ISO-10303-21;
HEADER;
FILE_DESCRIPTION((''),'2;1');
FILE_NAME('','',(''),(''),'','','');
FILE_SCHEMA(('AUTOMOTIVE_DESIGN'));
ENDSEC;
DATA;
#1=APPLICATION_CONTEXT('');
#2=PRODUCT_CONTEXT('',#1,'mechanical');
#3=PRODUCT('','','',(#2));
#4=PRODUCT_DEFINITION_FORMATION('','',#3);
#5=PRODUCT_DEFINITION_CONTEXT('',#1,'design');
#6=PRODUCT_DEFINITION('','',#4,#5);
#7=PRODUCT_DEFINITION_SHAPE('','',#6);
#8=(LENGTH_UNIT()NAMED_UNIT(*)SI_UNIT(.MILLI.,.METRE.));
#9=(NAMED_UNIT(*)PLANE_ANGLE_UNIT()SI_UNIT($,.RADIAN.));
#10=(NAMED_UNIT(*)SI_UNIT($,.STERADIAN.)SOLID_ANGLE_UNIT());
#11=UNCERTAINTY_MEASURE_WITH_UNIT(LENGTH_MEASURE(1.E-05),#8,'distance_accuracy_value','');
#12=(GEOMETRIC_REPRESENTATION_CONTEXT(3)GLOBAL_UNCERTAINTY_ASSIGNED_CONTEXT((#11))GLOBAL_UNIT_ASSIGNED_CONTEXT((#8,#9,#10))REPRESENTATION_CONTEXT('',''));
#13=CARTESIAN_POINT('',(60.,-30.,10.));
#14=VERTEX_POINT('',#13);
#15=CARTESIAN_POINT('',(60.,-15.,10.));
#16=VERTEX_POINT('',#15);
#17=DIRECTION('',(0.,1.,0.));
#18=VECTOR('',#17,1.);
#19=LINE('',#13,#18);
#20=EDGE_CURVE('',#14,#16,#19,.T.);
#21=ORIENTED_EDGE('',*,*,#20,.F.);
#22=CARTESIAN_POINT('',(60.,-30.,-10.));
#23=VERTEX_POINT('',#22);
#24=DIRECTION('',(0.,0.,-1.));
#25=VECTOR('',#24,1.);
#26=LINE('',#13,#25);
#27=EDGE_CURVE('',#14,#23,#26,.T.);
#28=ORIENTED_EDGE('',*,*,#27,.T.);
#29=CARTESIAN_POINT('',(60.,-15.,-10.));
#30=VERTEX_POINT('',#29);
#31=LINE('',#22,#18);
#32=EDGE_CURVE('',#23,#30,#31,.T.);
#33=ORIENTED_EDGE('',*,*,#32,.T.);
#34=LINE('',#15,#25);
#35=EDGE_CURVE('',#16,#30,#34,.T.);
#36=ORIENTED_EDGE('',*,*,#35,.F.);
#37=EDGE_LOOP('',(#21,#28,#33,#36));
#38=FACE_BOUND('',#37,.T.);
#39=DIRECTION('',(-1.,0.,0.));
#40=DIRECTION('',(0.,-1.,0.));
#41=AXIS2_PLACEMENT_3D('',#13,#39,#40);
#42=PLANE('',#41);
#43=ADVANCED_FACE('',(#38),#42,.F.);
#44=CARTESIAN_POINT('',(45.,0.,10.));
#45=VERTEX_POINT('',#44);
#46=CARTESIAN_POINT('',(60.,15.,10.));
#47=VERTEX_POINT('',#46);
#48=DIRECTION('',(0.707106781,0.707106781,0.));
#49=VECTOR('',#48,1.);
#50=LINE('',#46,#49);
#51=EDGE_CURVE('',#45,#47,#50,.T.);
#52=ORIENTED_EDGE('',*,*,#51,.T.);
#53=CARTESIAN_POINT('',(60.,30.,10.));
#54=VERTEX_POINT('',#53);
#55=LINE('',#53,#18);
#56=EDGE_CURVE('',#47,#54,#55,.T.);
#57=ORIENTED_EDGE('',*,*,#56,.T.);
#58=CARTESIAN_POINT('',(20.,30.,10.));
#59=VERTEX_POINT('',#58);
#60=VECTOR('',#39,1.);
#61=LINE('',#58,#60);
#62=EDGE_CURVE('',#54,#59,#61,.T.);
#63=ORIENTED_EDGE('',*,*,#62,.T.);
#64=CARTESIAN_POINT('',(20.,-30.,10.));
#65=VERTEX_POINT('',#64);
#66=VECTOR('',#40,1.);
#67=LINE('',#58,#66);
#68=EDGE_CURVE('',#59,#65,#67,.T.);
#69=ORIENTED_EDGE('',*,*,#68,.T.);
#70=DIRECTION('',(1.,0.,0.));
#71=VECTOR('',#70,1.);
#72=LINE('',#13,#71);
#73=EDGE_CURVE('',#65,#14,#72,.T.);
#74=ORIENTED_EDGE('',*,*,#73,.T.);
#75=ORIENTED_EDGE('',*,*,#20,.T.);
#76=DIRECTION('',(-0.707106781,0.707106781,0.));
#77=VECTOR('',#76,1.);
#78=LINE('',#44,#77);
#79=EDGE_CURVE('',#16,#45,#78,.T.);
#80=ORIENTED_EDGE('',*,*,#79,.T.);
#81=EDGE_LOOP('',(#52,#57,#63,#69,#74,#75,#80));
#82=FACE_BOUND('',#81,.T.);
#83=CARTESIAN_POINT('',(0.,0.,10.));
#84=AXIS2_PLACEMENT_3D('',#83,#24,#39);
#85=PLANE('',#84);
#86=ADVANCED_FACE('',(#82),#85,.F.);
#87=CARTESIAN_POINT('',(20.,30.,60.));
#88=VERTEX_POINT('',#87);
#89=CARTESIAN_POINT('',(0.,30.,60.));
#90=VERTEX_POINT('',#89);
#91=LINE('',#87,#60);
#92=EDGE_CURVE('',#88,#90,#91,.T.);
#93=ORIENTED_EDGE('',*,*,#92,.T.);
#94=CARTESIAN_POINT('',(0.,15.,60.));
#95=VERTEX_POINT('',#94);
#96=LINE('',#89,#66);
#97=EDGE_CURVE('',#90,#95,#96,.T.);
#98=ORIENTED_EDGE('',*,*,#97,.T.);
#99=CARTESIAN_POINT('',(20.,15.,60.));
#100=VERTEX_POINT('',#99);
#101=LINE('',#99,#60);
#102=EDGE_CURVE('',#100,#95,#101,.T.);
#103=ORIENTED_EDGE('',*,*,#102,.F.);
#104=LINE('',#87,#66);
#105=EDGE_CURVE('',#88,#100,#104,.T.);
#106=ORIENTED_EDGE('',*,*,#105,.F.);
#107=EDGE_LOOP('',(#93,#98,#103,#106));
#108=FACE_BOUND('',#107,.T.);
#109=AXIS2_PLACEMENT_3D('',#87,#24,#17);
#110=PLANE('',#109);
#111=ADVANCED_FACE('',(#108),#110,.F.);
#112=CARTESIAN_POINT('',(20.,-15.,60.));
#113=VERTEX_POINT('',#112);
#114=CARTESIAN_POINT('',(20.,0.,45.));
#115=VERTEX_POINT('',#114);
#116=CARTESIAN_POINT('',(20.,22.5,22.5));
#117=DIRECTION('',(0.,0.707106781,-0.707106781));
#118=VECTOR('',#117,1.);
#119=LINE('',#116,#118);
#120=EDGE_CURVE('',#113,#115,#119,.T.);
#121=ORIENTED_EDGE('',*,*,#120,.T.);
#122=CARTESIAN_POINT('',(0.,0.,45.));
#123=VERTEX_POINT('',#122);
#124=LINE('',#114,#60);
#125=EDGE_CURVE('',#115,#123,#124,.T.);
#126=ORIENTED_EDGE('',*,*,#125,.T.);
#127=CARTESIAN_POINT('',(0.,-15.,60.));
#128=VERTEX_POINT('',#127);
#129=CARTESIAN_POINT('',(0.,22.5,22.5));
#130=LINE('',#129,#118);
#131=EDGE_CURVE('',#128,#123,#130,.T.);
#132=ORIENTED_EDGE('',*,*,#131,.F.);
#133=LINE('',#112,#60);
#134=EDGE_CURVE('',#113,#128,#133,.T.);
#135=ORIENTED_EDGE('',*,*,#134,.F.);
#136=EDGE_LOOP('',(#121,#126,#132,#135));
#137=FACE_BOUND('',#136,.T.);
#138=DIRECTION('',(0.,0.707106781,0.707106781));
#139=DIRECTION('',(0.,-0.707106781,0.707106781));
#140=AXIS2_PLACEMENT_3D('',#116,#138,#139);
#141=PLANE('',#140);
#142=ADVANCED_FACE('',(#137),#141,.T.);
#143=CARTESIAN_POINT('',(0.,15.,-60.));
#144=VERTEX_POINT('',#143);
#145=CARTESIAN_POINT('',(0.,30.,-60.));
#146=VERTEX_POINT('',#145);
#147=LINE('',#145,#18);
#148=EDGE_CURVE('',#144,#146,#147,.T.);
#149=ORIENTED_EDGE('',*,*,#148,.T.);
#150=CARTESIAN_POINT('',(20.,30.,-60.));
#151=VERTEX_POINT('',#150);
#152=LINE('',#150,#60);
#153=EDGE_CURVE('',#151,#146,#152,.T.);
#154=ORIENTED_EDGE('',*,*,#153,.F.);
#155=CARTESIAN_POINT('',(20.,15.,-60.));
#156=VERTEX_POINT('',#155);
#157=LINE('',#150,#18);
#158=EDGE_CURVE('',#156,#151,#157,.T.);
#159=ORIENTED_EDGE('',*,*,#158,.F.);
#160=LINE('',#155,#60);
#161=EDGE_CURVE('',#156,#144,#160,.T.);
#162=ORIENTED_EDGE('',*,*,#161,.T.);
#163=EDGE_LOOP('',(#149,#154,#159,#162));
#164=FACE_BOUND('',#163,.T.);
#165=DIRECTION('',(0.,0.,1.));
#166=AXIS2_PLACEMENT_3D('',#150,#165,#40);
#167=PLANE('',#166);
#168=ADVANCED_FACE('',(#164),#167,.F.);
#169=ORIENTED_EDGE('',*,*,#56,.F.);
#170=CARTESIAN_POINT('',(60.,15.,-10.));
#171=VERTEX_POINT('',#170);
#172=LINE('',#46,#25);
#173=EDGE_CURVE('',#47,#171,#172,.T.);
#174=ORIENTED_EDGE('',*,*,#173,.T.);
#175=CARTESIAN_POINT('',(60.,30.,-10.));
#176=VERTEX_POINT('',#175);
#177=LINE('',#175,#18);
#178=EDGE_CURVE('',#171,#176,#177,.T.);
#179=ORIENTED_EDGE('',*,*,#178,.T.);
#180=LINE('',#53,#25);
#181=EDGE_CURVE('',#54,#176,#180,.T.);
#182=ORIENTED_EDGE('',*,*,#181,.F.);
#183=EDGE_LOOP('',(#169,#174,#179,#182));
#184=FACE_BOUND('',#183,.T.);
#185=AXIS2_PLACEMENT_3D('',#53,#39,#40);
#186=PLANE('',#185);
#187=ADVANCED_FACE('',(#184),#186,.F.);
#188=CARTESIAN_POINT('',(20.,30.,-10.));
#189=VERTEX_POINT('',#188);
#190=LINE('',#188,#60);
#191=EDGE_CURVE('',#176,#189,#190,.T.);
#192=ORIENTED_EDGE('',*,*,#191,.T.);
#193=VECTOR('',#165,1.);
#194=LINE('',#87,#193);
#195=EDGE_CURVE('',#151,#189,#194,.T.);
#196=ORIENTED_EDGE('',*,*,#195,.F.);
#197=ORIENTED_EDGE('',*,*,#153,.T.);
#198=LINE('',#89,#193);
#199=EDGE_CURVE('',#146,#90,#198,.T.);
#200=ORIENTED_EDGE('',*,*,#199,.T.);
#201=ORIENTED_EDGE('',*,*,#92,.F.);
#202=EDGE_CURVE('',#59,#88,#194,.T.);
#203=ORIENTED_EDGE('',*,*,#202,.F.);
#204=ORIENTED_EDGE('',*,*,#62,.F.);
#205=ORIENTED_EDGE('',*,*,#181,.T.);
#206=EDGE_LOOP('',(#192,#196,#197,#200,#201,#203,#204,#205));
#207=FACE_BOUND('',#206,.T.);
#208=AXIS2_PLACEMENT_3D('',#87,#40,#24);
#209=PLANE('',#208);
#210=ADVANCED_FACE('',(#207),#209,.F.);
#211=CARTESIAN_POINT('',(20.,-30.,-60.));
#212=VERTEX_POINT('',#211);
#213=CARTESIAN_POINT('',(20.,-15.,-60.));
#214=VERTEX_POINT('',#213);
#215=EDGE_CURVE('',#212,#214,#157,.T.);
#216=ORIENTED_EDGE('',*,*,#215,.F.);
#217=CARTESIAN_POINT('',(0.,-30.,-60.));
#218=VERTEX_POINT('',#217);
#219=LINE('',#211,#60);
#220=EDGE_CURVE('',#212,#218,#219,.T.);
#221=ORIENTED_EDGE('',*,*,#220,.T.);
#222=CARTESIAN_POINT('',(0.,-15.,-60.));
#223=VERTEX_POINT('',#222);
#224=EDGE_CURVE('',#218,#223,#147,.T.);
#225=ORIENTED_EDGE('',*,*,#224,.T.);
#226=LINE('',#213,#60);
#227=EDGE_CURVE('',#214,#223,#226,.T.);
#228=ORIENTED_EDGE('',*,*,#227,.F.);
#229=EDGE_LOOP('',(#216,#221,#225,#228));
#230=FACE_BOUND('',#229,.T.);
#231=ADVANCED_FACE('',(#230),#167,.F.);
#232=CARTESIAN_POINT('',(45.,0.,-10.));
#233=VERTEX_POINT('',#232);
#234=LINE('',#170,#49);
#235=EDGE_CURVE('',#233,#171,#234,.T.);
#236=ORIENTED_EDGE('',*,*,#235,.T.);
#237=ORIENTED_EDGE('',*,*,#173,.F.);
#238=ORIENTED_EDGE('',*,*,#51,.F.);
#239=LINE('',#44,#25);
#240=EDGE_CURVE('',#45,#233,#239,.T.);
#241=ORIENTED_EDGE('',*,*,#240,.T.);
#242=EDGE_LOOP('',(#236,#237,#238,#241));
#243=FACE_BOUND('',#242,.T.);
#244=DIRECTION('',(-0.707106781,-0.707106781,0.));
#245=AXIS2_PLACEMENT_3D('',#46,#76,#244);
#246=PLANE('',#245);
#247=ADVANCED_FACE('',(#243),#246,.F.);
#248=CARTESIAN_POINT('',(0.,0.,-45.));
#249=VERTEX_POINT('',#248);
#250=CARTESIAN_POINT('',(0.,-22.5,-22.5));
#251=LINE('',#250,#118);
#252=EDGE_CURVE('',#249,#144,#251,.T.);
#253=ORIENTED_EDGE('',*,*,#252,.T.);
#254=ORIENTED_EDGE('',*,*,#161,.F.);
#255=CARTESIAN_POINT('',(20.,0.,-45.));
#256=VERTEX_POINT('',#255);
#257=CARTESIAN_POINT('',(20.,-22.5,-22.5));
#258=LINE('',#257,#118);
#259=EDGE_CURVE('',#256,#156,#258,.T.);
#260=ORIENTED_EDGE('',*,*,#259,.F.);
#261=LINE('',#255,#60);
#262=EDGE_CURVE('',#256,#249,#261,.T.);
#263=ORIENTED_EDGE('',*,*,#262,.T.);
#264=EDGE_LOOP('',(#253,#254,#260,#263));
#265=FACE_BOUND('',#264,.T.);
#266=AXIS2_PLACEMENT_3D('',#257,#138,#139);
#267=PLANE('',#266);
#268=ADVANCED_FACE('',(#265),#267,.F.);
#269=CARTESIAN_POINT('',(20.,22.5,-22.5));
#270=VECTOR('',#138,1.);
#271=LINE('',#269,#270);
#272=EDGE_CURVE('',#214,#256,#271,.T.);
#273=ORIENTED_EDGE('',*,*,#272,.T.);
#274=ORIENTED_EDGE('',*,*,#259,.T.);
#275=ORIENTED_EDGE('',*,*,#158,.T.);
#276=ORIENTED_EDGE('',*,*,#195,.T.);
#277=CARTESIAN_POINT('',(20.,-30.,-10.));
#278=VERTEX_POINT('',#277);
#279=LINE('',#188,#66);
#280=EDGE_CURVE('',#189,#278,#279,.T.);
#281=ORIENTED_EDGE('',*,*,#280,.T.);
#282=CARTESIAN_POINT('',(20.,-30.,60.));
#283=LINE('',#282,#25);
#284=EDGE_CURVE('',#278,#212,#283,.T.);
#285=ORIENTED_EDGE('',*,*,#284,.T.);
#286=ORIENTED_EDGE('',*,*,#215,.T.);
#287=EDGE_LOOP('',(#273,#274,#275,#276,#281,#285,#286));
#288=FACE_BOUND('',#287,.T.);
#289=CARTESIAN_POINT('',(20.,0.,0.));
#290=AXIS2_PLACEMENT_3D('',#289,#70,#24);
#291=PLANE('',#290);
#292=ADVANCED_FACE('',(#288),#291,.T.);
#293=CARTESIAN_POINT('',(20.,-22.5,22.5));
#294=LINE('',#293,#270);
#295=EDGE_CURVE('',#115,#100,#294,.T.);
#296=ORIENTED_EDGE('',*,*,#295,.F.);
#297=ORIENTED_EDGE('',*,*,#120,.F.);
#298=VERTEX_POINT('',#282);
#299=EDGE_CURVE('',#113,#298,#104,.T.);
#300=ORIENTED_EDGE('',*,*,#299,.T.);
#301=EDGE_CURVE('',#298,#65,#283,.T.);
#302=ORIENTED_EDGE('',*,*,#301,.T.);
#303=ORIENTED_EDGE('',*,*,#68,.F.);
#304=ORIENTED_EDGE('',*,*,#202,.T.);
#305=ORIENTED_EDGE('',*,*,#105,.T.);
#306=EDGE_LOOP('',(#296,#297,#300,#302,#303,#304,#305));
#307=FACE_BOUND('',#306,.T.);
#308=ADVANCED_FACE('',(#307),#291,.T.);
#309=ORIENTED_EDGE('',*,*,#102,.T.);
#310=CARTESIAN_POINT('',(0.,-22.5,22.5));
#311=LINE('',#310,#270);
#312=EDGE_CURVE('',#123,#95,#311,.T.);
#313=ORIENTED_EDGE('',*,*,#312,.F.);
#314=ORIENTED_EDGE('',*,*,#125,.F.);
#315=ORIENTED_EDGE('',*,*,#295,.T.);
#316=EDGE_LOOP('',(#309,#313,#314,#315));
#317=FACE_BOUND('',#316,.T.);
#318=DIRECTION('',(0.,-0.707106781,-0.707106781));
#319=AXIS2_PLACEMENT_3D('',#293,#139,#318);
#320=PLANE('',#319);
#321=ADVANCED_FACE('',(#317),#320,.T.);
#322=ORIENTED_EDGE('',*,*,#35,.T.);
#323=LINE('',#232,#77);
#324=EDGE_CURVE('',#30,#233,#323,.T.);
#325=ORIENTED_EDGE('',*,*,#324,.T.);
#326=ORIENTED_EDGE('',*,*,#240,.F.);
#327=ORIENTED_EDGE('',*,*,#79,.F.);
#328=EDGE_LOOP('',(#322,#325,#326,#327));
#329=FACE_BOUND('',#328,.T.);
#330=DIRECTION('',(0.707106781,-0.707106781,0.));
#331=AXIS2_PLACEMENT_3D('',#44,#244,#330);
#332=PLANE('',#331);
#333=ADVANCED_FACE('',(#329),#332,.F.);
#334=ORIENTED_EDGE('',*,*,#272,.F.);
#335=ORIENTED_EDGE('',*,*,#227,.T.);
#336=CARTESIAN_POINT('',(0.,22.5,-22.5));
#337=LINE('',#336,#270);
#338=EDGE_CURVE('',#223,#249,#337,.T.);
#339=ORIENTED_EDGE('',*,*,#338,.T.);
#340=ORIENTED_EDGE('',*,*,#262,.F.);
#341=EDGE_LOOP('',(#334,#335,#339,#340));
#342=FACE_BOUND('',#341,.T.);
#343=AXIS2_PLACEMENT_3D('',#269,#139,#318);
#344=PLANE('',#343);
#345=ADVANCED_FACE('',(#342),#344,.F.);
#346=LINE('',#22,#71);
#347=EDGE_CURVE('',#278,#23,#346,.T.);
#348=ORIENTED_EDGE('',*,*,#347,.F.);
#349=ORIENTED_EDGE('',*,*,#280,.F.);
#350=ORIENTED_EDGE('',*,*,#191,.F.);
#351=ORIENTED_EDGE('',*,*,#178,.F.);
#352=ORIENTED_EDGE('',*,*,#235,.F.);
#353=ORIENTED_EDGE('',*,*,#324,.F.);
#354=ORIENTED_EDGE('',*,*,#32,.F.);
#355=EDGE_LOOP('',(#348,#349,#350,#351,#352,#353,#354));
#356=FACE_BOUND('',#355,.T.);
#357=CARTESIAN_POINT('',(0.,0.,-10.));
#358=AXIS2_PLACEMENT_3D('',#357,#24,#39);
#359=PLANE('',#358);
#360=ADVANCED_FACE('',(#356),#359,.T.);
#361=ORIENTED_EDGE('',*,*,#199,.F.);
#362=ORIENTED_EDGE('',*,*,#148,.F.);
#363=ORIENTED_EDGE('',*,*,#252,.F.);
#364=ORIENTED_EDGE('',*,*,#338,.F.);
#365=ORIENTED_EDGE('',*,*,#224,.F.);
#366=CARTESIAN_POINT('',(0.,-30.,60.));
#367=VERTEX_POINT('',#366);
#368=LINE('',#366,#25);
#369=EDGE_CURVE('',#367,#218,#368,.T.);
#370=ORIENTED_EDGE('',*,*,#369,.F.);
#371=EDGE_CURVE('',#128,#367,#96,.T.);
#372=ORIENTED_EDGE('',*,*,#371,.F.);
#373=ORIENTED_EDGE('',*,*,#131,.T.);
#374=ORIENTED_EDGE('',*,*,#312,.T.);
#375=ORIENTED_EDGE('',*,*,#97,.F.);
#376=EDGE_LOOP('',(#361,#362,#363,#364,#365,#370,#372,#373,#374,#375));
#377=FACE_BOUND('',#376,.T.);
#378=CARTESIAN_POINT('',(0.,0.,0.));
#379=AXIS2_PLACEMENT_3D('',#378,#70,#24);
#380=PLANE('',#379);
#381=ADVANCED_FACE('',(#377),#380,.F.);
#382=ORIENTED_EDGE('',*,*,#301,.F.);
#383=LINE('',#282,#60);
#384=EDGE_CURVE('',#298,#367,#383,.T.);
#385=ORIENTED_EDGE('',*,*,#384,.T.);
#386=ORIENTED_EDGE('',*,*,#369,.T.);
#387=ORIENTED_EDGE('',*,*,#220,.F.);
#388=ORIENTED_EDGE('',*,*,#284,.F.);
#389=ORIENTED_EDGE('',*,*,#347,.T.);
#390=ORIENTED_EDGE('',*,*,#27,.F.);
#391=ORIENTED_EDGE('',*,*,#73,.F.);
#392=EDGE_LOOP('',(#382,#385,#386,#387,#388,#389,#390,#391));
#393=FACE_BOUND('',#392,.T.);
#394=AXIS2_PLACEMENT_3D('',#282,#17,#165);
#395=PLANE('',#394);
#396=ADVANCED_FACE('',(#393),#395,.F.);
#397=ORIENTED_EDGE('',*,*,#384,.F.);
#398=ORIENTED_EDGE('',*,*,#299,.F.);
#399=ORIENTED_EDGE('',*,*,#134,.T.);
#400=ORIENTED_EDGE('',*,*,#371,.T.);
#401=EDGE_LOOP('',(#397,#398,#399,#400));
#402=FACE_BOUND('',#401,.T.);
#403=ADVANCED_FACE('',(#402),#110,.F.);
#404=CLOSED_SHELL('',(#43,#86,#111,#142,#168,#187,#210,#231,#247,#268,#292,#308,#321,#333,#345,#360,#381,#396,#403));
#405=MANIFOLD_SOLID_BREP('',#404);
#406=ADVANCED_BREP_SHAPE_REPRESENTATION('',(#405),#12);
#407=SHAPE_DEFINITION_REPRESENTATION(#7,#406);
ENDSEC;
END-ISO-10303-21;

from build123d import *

# Parameters (mm, degrees)
SKETCH1_W           = 120
SKETCH1_H           = 60
BOSS_EXTRUDE1_DEPTH = 20
CUT_EXTRUDE1_DEPTH  = 20
BOSS_EXTRUDE2_DEPTH = 10


with BuildPart() as part:
    # Sketch1 → Boss-Extrude1 (new body)
    with BuildSketch(Plane(origin=(0, 0, 0), x_dir=(0, 0, -1), z_dir=(1, 0, 0))):
        Rectangle(SKETCH1_W, SKETCH1_H)
    extrude(amount=BOSS_EXTRUDE1_DEPTH)

    # Sketch3 → Cut-Extrude1 (cut)
    with BuildSketch(Plane.ZY):
        Polygon((45, 0), (60, -15), (60, 15), align=None)
    cut_extrude1 = extrude(amount=-CUT_EXTRUDE1_DEPTH, mode=Mode.SUBTRACT)

    # Mirror4: Cut-Extrude1 across plane
    add(cut_extrude1.mirror(Plane(origin=(0, 0, 0), x_dir=(1, 0, 0), z_dir=(0, 0, -1))), mode=Mode.SUBTRACT)

    # Sketch4 → Boss-Extrude2 (add, symmetric)
    with BuildSketch(Plane.XY):
        Polygon((20, 30), (60, 30), (60, 15), (45, 0), (60, -15), (60, -30), (20, -30), align=None)
    extrude(amount=BOSS_EXTRUDE2_DEPTH, both=True)


solid = part.part
